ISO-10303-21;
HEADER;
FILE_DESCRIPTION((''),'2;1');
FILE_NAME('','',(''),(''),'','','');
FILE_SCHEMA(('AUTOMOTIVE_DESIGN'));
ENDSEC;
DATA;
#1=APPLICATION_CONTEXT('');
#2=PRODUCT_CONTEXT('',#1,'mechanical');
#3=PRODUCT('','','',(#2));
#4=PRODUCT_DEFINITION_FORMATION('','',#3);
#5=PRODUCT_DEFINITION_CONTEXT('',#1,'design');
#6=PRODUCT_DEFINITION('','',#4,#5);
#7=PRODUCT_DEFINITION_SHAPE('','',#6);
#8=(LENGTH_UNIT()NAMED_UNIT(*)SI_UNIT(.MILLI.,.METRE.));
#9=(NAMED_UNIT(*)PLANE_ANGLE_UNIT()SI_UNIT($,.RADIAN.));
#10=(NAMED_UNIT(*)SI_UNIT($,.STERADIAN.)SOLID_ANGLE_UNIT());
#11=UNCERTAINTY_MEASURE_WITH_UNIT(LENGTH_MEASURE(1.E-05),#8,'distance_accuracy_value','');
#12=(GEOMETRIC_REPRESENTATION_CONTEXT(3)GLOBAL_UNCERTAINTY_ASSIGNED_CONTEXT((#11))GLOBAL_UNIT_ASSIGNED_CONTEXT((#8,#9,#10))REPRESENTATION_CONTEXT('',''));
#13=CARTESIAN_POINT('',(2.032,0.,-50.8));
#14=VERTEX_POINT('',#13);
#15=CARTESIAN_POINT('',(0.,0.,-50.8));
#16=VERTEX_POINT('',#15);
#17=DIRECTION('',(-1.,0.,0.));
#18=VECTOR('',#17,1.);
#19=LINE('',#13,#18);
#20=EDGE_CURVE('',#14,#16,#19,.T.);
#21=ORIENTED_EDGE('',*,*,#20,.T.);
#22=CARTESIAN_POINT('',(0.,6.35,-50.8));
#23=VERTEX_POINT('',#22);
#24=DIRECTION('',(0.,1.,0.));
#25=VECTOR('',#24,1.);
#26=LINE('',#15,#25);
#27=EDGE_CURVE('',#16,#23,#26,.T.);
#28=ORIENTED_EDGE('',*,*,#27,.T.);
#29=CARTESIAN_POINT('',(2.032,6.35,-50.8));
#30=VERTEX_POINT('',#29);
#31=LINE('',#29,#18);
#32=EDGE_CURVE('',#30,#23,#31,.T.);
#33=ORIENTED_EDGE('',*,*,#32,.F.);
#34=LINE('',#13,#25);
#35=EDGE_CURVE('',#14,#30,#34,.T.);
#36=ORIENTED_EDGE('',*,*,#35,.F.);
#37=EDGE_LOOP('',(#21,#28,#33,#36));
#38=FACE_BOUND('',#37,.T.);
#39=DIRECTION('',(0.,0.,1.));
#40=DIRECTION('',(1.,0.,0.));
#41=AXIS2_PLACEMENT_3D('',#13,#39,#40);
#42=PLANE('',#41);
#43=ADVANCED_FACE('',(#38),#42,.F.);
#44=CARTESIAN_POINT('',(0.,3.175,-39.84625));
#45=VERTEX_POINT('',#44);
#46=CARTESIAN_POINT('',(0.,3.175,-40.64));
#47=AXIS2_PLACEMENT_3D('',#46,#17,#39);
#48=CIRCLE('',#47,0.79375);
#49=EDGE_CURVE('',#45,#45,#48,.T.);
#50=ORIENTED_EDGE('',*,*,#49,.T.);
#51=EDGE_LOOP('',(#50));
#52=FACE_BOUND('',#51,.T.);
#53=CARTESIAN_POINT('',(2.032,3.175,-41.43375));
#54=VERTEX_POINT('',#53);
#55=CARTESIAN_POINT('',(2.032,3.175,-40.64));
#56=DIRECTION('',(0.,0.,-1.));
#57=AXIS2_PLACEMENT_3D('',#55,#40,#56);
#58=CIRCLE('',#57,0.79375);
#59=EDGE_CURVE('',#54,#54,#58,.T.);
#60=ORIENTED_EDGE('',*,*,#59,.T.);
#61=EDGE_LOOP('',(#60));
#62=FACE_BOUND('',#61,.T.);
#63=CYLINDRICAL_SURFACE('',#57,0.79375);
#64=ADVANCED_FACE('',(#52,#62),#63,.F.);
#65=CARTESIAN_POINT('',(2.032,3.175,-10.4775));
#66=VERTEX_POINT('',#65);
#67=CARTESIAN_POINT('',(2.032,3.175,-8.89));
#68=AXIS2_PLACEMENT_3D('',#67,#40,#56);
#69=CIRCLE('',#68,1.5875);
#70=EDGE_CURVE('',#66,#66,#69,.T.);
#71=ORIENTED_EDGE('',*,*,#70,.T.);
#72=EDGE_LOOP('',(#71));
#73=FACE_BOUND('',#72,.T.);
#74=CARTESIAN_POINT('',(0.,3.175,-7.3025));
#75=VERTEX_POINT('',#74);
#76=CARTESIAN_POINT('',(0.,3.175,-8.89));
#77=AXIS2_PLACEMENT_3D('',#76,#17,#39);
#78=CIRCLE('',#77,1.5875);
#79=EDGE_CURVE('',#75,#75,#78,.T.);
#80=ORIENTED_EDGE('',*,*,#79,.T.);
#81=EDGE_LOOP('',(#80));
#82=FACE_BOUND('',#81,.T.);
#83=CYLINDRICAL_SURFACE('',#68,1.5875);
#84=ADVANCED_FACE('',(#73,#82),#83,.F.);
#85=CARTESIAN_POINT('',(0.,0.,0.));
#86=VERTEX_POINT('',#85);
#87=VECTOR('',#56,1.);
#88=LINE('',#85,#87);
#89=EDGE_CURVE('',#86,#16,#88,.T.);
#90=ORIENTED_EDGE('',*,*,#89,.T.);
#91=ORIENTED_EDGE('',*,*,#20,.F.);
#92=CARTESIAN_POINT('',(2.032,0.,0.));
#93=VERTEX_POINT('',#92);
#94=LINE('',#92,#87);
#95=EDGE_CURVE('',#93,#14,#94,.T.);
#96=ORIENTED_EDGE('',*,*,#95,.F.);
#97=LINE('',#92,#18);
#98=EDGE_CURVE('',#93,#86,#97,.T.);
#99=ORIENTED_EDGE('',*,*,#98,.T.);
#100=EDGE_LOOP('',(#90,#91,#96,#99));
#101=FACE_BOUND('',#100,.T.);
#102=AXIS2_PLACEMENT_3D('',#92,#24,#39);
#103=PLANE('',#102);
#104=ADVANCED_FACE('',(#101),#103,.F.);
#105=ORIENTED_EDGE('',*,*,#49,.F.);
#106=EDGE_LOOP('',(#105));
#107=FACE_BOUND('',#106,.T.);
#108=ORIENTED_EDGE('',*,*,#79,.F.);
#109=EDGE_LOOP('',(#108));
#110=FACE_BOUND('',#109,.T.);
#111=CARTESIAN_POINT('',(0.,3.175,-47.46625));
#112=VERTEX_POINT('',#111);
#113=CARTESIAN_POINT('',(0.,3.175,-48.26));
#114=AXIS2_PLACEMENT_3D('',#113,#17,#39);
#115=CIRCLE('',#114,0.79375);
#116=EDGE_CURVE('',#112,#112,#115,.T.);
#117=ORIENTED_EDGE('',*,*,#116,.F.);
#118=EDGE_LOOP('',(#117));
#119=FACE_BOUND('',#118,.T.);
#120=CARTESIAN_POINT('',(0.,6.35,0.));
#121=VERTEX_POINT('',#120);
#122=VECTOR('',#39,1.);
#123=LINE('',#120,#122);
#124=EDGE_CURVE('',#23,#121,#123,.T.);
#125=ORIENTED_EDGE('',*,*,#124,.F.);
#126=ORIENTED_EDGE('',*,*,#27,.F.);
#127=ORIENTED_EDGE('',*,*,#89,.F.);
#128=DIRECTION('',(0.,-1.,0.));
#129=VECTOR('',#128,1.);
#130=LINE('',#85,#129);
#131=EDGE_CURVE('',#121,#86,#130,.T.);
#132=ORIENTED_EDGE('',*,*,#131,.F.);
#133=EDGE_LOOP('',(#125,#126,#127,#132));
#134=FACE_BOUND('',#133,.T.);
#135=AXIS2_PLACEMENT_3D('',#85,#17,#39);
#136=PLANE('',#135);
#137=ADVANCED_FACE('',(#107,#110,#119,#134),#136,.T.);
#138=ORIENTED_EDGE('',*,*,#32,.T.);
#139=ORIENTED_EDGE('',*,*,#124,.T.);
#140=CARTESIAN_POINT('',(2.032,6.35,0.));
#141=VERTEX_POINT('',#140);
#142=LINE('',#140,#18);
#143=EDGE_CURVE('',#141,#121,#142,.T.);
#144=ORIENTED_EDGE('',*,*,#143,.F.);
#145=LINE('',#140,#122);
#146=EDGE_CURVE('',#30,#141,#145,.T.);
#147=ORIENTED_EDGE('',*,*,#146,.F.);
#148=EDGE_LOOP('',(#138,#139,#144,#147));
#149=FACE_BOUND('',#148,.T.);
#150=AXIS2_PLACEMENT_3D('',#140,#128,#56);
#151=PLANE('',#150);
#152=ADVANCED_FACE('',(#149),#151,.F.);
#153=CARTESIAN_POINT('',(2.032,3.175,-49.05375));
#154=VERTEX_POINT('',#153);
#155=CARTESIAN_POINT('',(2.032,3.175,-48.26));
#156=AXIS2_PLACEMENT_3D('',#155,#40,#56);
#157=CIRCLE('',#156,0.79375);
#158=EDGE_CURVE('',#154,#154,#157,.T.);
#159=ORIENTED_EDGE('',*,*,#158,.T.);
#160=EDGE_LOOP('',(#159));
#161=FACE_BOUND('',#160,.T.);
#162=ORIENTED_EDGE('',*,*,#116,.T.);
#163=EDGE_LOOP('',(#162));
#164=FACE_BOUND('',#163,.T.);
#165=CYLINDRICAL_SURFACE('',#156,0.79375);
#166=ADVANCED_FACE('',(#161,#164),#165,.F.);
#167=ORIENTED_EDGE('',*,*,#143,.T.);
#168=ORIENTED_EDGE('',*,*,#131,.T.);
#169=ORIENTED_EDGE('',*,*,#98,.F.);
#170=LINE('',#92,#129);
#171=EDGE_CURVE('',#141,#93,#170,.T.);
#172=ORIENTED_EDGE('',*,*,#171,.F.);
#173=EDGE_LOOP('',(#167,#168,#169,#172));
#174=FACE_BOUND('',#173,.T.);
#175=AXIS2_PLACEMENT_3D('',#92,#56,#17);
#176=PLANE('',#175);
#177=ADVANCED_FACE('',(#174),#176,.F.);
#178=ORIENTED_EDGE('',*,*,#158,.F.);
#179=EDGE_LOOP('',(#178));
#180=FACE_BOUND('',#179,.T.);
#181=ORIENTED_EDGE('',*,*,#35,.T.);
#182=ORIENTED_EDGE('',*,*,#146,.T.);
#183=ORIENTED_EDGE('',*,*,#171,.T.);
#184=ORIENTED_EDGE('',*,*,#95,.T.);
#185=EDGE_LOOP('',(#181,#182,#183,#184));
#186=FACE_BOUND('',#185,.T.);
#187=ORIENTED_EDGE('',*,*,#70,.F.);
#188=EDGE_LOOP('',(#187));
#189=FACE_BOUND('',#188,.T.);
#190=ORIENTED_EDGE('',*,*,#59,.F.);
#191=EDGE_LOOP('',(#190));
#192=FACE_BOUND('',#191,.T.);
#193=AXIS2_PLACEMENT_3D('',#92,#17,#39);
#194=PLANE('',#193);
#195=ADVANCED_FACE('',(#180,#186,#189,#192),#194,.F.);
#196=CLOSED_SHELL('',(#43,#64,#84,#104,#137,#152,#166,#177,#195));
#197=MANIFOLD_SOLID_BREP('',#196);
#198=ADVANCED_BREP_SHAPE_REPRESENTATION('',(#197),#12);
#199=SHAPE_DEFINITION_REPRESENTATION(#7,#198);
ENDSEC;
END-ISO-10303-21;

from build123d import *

# Parameters (mm, degrees)
SKETCH1_W                          = 50.8
SKETCH1_H                          = 6.35
BOSS_EXTRUDE1_DEPTH                = 2.032
F_1_16_0_0625_DIAMETER_HOLE1_D     = 1.5875
F_1_16_0_0625_DIAMETER_HOLE1_DEPTH = 70.104
F_1_16_0_0625_DIAMETER_HOLE1_TIP   = 0.476933116
F_1_8_0_125_DIAMETER_HOLE1_D       = 3.175
F_1_8_0_125_DIAMETER_HOLE1_DEPTH   = 70.104
F_1_8_0_125_DIAMETER_HOLE1_TIP     = 0.953866233


with BuildPart() as part:
    # Sketch1 → Boss-Extrude1 (new body)
    with BuildSketch(Plane(origin=(0, 0, 0), x_dir=(0, 0, -1), z_dir=(1, 0, 0))):
        with Locations((25.4, 3.175)):
            Rectangle(SKETCH1_W, SKETCH1_H)
    extrude(amount=BOSS_EXTRUDE1_DEPTH)

    # 1/16 (0.0625) Diameter Hole1
    with Locations(Plane(origin=(2.032, 0, 0), x_dir=(0, 0, -1), z_dir=(1, 0, 0))):
        with Locations((40.64, 3.175), (48.26, 3.175)):
            Hole(F_1_16_0_0625_DIAMETER_HOLE1_D / 2, depth=F_1_16_0_0625_DIAMETER_HOLE1_DEPTH)
            with Locations((0, 0, -(F_1_16_0_0625_DIAMETER_HOLE1_DEPTH + F_1_16_0_0625_DIAMETER_HOLE1_TIP / 2))):  # 118° drill point
                Cone(0, F_1_16_0_0625_DIAMETER_HOLE1_D / 2, F_1_16_0_0625_DIAMETER_HOLE1_TIP, mode=Mode.SUBTRACT)

    # 1/8 (0.125) Diameter Hole1
    with Locations(Plane(origin=(2.032, 0, 0), x_dir=(0, 0, -1), z_dir=(1, 0, 0))):
        with Locations((8.89, 3.175)):
            Hole(F_1_8_0_125_DIAMETER_HOLE1_D / 2, depth=F_1_8_0_125_DIAMETER_HOLE1_DEPTH)
            with Locations((0, 0, -(F_1_8_0_125_DIAMETER_HOLE1_DEPTH + F_1_8_0_125_DIAMETER_HOLE1_TIP / 2))):  # 118° drill point
                Cone(0, F_1_8_0_125_DIAMETER_HOLE1_D / 2, F_1_8_0_125_DIAMETER_HOLE1_TIP, mode=Mode.SUBTRACT)


solid = part.part
